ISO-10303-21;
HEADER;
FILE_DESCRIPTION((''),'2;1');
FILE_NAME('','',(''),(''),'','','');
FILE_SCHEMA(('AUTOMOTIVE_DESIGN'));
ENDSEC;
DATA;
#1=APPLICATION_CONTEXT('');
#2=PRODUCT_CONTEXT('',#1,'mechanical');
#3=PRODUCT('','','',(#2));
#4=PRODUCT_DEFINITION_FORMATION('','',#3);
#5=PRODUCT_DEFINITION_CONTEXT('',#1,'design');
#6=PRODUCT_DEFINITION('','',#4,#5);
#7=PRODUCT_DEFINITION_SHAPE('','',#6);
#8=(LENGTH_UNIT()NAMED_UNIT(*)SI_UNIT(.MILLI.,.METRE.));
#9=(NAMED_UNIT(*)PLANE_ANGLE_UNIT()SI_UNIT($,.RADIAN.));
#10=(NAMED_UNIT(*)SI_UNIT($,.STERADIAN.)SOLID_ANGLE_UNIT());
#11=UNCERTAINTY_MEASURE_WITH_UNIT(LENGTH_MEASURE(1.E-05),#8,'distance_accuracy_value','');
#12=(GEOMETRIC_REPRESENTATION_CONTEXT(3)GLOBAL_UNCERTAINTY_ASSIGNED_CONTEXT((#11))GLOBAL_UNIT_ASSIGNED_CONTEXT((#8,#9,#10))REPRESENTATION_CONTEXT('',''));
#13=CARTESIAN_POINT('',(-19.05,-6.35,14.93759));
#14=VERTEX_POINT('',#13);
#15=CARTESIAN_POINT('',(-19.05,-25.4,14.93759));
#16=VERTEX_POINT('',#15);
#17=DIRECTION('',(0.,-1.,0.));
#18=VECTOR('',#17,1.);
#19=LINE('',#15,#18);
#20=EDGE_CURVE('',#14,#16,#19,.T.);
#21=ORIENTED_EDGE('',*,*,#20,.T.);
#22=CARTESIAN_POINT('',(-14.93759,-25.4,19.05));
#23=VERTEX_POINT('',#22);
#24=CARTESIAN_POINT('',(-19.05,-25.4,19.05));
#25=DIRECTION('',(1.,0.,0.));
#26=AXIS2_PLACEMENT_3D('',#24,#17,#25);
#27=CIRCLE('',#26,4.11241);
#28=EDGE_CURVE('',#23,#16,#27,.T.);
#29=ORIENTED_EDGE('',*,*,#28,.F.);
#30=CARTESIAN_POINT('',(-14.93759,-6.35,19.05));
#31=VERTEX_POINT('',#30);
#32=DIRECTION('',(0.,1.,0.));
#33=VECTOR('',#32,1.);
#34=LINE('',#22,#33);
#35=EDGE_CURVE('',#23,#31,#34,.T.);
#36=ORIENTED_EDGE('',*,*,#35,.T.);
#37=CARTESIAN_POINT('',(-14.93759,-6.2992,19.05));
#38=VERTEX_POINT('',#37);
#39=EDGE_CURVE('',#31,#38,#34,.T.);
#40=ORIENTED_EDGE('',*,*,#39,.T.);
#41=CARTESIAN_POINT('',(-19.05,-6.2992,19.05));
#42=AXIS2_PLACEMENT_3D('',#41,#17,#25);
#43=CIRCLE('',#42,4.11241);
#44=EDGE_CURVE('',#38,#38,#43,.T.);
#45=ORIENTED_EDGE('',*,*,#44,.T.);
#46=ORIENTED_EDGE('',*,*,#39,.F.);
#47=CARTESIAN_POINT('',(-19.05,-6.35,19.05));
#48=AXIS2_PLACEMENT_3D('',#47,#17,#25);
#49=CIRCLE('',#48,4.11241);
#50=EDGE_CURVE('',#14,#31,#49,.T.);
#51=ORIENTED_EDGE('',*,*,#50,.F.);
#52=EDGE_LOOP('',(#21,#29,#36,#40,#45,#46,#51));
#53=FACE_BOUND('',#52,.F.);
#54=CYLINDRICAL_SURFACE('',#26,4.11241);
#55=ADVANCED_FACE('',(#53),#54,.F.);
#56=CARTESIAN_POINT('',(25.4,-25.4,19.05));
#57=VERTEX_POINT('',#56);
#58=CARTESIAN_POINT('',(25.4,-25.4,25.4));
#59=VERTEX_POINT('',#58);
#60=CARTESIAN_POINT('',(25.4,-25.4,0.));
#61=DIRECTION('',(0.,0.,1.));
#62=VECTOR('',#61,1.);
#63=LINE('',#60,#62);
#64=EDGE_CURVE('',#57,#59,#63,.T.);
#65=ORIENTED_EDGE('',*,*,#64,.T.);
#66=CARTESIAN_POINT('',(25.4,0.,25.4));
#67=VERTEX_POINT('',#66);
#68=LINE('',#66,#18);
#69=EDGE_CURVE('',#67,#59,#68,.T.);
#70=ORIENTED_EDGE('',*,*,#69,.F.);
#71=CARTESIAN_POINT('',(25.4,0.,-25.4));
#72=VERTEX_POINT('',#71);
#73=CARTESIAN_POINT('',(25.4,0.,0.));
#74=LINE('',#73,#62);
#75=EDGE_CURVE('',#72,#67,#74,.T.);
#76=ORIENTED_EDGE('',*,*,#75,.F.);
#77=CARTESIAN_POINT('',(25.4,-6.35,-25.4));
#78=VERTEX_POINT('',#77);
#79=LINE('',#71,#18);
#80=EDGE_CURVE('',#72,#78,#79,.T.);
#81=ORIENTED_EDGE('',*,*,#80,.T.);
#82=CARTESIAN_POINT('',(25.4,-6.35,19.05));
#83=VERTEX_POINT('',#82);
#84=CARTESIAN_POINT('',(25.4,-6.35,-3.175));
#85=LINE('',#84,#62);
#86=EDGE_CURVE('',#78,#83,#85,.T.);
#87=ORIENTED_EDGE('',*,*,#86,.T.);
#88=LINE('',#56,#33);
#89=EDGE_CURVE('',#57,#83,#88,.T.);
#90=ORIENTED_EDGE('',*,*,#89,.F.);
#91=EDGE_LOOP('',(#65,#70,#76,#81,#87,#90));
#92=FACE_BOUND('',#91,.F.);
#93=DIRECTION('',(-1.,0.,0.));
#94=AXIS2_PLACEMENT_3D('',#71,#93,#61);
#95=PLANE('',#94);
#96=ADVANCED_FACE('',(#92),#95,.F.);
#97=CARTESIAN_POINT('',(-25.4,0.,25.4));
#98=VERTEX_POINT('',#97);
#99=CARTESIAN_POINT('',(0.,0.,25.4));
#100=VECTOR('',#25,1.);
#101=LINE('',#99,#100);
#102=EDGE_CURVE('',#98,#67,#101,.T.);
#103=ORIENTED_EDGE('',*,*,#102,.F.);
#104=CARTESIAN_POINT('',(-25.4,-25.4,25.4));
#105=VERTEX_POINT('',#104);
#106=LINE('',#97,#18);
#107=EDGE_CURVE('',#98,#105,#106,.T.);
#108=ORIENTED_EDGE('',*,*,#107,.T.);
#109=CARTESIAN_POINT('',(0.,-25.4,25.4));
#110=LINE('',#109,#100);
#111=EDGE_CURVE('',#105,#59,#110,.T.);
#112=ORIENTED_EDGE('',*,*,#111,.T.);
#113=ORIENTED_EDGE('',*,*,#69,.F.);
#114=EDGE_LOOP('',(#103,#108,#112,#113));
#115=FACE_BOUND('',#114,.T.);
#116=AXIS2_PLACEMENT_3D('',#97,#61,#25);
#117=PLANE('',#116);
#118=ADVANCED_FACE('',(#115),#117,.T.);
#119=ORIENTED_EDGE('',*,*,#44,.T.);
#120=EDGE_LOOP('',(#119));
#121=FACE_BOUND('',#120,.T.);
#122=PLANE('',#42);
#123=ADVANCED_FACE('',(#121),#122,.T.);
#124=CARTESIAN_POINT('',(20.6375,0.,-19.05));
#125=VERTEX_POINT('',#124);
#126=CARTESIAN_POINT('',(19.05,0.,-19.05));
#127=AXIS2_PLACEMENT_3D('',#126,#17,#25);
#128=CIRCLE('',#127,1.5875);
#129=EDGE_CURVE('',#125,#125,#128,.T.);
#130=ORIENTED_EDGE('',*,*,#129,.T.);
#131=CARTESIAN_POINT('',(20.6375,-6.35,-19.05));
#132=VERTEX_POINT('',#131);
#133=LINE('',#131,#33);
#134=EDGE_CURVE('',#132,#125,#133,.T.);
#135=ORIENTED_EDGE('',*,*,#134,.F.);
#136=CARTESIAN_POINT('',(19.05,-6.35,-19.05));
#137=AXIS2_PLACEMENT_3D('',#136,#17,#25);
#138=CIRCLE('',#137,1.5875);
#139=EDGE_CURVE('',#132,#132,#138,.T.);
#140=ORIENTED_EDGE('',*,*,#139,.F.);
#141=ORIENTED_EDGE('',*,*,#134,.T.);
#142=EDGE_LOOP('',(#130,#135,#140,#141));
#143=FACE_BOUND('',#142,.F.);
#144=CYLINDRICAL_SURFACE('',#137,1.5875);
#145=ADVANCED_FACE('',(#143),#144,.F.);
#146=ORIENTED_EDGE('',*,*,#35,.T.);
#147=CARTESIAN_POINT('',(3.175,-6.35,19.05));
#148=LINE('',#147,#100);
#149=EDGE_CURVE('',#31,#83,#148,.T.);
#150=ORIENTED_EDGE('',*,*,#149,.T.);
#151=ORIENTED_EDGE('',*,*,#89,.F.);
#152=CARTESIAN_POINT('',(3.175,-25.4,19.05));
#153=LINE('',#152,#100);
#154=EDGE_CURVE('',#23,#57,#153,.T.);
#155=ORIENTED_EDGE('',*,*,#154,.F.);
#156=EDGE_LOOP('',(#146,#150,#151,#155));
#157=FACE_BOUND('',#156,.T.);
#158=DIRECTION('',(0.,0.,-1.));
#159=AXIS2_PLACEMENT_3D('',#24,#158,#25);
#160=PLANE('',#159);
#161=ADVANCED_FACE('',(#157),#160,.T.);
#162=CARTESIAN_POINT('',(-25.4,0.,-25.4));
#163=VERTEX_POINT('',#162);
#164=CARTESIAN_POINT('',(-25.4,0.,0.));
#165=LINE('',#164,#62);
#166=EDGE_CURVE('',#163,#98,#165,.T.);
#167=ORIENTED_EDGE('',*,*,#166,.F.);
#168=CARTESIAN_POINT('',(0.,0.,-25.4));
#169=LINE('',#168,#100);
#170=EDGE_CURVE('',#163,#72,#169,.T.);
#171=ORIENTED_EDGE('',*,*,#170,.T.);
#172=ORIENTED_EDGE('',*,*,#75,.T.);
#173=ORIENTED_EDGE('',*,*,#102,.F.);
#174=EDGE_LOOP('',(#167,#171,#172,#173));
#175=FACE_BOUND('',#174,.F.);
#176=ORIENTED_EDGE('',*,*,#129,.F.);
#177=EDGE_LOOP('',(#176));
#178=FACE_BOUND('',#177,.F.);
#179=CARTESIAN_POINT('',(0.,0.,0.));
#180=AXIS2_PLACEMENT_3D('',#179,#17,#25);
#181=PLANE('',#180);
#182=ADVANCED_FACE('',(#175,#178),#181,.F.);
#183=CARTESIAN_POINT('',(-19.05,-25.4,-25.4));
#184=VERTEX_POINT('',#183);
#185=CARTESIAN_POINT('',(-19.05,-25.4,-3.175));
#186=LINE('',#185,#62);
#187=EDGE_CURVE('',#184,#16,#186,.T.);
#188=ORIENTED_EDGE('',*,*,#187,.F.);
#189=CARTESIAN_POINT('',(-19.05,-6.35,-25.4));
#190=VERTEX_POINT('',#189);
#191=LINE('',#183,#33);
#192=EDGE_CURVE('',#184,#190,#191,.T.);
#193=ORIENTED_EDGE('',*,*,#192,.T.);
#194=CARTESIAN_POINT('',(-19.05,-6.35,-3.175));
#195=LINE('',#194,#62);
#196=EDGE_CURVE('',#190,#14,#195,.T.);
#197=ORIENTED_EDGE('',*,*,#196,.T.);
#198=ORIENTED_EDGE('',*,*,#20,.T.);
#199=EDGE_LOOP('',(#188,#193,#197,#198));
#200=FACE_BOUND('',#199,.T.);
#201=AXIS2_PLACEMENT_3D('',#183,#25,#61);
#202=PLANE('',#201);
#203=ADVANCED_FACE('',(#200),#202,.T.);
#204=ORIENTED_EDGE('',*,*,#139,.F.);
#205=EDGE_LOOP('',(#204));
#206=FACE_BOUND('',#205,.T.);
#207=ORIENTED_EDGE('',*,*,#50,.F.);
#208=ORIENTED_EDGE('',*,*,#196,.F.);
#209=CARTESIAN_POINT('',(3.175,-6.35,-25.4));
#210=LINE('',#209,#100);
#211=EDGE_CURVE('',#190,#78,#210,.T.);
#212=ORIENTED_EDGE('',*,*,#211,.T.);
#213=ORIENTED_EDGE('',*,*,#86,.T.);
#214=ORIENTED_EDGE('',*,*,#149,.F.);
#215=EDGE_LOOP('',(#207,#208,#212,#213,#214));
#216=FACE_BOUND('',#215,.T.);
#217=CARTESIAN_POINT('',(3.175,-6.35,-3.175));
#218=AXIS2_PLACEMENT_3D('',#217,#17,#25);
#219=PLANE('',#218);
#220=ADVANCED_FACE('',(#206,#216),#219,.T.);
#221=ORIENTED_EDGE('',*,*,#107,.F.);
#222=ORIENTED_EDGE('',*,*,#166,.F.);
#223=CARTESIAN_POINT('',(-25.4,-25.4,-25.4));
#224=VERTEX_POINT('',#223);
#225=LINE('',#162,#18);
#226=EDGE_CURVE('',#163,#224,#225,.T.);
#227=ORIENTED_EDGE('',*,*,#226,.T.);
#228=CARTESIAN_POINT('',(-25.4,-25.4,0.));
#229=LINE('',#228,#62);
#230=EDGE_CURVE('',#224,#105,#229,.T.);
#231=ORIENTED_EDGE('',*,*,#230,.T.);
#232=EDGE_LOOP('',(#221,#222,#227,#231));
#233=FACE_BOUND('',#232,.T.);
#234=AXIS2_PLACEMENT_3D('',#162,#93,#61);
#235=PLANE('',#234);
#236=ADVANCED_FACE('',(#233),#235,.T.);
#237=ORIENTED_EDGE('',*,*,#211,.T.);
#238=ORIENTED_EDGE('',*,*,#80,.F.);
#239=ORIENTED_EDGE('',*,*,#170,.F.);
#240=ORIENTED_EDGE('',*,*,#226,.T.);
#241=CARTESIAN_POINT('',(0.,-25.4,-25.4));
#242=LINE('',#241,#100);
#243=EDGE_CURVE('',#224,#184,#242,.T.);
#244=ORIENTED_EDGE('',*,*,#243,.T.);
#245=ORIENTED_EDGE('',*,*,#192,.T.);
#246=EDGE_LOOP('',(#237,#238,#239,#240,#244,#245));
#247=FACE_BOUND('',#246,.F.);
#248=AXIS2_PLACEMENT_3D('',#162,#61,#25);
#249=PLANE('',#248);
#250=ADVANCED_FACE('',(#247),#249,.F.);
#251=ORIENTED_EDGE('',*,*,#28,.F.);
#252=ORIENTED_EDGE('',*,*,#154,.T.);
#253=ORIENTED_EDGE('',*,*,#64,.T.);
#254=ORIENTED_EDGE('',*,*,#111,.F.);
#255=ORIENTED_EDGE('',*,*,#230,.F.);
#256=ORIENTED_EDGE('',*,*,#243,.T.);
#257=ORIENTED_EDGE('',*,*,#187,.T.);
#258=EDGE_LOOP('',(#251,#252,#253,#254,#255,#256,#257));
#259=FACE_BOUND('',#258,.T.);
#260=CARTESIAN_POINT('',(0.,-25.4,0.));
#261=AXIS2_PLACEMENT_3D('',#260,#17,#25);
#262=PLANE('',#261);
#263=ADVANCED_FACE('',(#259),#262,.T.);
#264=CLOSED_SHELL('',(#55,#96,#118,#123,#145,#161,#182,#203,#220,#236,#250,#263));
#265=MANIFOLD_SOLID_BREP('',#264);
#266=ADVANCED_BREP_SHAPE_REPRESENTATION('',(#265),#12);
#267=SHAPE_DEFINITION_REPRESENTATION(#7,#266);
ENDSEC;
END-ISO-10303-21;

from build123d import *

# Parameters (mm, degrees)
F0_W     = 50.8
F0_H     = 50.8
F1_DEPTH = 25.4
F2_W     = 44.45
F2_H     = 44.45
F3_DEPTH = 19.05
F5_R     = 4.11241
F6_DEPTH = 19.1008
F4_R     = 1.5875
F7_DEPTH = 6.35


with BuildPart() as f1:
    # F0 (on Front) → F1 (new body)
    with BuildSketch(Plane.XZ):
        Rectangle(F0_W, F0_H)
    extrude(amount=F1_DEPTH)

    # F2 (on face) → F3 (cut)
    with BuildSketch(Plane.XZ.offset(25.4)):
        with Locations((3.175, -3.175)):
            Rectangle(F2_W, F2_H)
    extrude(amount=-F3_DEPTH, mode=Mode.SUBTRACT)

    # F5 (on face) → F6 (cut)
    with BuildSketch(Plane.XZ.offset(25.4)):
        with Locations((-19.05, 19.05)):
            Circle(F5_R)
    extrude(amount=-F6_DEPTH, mode=Mode.SUBTRACT)

    # F4 (on face) → F7 (cut)
    with BuildSketch(Plane.XZ.offset(6.35)):
        with Locations((19.05, -19.05)):
            Circle(F4_R)
    extrude(amount=-F7_DEPTH, mode=Mode.SUBTRACT)


solid = f1.part
